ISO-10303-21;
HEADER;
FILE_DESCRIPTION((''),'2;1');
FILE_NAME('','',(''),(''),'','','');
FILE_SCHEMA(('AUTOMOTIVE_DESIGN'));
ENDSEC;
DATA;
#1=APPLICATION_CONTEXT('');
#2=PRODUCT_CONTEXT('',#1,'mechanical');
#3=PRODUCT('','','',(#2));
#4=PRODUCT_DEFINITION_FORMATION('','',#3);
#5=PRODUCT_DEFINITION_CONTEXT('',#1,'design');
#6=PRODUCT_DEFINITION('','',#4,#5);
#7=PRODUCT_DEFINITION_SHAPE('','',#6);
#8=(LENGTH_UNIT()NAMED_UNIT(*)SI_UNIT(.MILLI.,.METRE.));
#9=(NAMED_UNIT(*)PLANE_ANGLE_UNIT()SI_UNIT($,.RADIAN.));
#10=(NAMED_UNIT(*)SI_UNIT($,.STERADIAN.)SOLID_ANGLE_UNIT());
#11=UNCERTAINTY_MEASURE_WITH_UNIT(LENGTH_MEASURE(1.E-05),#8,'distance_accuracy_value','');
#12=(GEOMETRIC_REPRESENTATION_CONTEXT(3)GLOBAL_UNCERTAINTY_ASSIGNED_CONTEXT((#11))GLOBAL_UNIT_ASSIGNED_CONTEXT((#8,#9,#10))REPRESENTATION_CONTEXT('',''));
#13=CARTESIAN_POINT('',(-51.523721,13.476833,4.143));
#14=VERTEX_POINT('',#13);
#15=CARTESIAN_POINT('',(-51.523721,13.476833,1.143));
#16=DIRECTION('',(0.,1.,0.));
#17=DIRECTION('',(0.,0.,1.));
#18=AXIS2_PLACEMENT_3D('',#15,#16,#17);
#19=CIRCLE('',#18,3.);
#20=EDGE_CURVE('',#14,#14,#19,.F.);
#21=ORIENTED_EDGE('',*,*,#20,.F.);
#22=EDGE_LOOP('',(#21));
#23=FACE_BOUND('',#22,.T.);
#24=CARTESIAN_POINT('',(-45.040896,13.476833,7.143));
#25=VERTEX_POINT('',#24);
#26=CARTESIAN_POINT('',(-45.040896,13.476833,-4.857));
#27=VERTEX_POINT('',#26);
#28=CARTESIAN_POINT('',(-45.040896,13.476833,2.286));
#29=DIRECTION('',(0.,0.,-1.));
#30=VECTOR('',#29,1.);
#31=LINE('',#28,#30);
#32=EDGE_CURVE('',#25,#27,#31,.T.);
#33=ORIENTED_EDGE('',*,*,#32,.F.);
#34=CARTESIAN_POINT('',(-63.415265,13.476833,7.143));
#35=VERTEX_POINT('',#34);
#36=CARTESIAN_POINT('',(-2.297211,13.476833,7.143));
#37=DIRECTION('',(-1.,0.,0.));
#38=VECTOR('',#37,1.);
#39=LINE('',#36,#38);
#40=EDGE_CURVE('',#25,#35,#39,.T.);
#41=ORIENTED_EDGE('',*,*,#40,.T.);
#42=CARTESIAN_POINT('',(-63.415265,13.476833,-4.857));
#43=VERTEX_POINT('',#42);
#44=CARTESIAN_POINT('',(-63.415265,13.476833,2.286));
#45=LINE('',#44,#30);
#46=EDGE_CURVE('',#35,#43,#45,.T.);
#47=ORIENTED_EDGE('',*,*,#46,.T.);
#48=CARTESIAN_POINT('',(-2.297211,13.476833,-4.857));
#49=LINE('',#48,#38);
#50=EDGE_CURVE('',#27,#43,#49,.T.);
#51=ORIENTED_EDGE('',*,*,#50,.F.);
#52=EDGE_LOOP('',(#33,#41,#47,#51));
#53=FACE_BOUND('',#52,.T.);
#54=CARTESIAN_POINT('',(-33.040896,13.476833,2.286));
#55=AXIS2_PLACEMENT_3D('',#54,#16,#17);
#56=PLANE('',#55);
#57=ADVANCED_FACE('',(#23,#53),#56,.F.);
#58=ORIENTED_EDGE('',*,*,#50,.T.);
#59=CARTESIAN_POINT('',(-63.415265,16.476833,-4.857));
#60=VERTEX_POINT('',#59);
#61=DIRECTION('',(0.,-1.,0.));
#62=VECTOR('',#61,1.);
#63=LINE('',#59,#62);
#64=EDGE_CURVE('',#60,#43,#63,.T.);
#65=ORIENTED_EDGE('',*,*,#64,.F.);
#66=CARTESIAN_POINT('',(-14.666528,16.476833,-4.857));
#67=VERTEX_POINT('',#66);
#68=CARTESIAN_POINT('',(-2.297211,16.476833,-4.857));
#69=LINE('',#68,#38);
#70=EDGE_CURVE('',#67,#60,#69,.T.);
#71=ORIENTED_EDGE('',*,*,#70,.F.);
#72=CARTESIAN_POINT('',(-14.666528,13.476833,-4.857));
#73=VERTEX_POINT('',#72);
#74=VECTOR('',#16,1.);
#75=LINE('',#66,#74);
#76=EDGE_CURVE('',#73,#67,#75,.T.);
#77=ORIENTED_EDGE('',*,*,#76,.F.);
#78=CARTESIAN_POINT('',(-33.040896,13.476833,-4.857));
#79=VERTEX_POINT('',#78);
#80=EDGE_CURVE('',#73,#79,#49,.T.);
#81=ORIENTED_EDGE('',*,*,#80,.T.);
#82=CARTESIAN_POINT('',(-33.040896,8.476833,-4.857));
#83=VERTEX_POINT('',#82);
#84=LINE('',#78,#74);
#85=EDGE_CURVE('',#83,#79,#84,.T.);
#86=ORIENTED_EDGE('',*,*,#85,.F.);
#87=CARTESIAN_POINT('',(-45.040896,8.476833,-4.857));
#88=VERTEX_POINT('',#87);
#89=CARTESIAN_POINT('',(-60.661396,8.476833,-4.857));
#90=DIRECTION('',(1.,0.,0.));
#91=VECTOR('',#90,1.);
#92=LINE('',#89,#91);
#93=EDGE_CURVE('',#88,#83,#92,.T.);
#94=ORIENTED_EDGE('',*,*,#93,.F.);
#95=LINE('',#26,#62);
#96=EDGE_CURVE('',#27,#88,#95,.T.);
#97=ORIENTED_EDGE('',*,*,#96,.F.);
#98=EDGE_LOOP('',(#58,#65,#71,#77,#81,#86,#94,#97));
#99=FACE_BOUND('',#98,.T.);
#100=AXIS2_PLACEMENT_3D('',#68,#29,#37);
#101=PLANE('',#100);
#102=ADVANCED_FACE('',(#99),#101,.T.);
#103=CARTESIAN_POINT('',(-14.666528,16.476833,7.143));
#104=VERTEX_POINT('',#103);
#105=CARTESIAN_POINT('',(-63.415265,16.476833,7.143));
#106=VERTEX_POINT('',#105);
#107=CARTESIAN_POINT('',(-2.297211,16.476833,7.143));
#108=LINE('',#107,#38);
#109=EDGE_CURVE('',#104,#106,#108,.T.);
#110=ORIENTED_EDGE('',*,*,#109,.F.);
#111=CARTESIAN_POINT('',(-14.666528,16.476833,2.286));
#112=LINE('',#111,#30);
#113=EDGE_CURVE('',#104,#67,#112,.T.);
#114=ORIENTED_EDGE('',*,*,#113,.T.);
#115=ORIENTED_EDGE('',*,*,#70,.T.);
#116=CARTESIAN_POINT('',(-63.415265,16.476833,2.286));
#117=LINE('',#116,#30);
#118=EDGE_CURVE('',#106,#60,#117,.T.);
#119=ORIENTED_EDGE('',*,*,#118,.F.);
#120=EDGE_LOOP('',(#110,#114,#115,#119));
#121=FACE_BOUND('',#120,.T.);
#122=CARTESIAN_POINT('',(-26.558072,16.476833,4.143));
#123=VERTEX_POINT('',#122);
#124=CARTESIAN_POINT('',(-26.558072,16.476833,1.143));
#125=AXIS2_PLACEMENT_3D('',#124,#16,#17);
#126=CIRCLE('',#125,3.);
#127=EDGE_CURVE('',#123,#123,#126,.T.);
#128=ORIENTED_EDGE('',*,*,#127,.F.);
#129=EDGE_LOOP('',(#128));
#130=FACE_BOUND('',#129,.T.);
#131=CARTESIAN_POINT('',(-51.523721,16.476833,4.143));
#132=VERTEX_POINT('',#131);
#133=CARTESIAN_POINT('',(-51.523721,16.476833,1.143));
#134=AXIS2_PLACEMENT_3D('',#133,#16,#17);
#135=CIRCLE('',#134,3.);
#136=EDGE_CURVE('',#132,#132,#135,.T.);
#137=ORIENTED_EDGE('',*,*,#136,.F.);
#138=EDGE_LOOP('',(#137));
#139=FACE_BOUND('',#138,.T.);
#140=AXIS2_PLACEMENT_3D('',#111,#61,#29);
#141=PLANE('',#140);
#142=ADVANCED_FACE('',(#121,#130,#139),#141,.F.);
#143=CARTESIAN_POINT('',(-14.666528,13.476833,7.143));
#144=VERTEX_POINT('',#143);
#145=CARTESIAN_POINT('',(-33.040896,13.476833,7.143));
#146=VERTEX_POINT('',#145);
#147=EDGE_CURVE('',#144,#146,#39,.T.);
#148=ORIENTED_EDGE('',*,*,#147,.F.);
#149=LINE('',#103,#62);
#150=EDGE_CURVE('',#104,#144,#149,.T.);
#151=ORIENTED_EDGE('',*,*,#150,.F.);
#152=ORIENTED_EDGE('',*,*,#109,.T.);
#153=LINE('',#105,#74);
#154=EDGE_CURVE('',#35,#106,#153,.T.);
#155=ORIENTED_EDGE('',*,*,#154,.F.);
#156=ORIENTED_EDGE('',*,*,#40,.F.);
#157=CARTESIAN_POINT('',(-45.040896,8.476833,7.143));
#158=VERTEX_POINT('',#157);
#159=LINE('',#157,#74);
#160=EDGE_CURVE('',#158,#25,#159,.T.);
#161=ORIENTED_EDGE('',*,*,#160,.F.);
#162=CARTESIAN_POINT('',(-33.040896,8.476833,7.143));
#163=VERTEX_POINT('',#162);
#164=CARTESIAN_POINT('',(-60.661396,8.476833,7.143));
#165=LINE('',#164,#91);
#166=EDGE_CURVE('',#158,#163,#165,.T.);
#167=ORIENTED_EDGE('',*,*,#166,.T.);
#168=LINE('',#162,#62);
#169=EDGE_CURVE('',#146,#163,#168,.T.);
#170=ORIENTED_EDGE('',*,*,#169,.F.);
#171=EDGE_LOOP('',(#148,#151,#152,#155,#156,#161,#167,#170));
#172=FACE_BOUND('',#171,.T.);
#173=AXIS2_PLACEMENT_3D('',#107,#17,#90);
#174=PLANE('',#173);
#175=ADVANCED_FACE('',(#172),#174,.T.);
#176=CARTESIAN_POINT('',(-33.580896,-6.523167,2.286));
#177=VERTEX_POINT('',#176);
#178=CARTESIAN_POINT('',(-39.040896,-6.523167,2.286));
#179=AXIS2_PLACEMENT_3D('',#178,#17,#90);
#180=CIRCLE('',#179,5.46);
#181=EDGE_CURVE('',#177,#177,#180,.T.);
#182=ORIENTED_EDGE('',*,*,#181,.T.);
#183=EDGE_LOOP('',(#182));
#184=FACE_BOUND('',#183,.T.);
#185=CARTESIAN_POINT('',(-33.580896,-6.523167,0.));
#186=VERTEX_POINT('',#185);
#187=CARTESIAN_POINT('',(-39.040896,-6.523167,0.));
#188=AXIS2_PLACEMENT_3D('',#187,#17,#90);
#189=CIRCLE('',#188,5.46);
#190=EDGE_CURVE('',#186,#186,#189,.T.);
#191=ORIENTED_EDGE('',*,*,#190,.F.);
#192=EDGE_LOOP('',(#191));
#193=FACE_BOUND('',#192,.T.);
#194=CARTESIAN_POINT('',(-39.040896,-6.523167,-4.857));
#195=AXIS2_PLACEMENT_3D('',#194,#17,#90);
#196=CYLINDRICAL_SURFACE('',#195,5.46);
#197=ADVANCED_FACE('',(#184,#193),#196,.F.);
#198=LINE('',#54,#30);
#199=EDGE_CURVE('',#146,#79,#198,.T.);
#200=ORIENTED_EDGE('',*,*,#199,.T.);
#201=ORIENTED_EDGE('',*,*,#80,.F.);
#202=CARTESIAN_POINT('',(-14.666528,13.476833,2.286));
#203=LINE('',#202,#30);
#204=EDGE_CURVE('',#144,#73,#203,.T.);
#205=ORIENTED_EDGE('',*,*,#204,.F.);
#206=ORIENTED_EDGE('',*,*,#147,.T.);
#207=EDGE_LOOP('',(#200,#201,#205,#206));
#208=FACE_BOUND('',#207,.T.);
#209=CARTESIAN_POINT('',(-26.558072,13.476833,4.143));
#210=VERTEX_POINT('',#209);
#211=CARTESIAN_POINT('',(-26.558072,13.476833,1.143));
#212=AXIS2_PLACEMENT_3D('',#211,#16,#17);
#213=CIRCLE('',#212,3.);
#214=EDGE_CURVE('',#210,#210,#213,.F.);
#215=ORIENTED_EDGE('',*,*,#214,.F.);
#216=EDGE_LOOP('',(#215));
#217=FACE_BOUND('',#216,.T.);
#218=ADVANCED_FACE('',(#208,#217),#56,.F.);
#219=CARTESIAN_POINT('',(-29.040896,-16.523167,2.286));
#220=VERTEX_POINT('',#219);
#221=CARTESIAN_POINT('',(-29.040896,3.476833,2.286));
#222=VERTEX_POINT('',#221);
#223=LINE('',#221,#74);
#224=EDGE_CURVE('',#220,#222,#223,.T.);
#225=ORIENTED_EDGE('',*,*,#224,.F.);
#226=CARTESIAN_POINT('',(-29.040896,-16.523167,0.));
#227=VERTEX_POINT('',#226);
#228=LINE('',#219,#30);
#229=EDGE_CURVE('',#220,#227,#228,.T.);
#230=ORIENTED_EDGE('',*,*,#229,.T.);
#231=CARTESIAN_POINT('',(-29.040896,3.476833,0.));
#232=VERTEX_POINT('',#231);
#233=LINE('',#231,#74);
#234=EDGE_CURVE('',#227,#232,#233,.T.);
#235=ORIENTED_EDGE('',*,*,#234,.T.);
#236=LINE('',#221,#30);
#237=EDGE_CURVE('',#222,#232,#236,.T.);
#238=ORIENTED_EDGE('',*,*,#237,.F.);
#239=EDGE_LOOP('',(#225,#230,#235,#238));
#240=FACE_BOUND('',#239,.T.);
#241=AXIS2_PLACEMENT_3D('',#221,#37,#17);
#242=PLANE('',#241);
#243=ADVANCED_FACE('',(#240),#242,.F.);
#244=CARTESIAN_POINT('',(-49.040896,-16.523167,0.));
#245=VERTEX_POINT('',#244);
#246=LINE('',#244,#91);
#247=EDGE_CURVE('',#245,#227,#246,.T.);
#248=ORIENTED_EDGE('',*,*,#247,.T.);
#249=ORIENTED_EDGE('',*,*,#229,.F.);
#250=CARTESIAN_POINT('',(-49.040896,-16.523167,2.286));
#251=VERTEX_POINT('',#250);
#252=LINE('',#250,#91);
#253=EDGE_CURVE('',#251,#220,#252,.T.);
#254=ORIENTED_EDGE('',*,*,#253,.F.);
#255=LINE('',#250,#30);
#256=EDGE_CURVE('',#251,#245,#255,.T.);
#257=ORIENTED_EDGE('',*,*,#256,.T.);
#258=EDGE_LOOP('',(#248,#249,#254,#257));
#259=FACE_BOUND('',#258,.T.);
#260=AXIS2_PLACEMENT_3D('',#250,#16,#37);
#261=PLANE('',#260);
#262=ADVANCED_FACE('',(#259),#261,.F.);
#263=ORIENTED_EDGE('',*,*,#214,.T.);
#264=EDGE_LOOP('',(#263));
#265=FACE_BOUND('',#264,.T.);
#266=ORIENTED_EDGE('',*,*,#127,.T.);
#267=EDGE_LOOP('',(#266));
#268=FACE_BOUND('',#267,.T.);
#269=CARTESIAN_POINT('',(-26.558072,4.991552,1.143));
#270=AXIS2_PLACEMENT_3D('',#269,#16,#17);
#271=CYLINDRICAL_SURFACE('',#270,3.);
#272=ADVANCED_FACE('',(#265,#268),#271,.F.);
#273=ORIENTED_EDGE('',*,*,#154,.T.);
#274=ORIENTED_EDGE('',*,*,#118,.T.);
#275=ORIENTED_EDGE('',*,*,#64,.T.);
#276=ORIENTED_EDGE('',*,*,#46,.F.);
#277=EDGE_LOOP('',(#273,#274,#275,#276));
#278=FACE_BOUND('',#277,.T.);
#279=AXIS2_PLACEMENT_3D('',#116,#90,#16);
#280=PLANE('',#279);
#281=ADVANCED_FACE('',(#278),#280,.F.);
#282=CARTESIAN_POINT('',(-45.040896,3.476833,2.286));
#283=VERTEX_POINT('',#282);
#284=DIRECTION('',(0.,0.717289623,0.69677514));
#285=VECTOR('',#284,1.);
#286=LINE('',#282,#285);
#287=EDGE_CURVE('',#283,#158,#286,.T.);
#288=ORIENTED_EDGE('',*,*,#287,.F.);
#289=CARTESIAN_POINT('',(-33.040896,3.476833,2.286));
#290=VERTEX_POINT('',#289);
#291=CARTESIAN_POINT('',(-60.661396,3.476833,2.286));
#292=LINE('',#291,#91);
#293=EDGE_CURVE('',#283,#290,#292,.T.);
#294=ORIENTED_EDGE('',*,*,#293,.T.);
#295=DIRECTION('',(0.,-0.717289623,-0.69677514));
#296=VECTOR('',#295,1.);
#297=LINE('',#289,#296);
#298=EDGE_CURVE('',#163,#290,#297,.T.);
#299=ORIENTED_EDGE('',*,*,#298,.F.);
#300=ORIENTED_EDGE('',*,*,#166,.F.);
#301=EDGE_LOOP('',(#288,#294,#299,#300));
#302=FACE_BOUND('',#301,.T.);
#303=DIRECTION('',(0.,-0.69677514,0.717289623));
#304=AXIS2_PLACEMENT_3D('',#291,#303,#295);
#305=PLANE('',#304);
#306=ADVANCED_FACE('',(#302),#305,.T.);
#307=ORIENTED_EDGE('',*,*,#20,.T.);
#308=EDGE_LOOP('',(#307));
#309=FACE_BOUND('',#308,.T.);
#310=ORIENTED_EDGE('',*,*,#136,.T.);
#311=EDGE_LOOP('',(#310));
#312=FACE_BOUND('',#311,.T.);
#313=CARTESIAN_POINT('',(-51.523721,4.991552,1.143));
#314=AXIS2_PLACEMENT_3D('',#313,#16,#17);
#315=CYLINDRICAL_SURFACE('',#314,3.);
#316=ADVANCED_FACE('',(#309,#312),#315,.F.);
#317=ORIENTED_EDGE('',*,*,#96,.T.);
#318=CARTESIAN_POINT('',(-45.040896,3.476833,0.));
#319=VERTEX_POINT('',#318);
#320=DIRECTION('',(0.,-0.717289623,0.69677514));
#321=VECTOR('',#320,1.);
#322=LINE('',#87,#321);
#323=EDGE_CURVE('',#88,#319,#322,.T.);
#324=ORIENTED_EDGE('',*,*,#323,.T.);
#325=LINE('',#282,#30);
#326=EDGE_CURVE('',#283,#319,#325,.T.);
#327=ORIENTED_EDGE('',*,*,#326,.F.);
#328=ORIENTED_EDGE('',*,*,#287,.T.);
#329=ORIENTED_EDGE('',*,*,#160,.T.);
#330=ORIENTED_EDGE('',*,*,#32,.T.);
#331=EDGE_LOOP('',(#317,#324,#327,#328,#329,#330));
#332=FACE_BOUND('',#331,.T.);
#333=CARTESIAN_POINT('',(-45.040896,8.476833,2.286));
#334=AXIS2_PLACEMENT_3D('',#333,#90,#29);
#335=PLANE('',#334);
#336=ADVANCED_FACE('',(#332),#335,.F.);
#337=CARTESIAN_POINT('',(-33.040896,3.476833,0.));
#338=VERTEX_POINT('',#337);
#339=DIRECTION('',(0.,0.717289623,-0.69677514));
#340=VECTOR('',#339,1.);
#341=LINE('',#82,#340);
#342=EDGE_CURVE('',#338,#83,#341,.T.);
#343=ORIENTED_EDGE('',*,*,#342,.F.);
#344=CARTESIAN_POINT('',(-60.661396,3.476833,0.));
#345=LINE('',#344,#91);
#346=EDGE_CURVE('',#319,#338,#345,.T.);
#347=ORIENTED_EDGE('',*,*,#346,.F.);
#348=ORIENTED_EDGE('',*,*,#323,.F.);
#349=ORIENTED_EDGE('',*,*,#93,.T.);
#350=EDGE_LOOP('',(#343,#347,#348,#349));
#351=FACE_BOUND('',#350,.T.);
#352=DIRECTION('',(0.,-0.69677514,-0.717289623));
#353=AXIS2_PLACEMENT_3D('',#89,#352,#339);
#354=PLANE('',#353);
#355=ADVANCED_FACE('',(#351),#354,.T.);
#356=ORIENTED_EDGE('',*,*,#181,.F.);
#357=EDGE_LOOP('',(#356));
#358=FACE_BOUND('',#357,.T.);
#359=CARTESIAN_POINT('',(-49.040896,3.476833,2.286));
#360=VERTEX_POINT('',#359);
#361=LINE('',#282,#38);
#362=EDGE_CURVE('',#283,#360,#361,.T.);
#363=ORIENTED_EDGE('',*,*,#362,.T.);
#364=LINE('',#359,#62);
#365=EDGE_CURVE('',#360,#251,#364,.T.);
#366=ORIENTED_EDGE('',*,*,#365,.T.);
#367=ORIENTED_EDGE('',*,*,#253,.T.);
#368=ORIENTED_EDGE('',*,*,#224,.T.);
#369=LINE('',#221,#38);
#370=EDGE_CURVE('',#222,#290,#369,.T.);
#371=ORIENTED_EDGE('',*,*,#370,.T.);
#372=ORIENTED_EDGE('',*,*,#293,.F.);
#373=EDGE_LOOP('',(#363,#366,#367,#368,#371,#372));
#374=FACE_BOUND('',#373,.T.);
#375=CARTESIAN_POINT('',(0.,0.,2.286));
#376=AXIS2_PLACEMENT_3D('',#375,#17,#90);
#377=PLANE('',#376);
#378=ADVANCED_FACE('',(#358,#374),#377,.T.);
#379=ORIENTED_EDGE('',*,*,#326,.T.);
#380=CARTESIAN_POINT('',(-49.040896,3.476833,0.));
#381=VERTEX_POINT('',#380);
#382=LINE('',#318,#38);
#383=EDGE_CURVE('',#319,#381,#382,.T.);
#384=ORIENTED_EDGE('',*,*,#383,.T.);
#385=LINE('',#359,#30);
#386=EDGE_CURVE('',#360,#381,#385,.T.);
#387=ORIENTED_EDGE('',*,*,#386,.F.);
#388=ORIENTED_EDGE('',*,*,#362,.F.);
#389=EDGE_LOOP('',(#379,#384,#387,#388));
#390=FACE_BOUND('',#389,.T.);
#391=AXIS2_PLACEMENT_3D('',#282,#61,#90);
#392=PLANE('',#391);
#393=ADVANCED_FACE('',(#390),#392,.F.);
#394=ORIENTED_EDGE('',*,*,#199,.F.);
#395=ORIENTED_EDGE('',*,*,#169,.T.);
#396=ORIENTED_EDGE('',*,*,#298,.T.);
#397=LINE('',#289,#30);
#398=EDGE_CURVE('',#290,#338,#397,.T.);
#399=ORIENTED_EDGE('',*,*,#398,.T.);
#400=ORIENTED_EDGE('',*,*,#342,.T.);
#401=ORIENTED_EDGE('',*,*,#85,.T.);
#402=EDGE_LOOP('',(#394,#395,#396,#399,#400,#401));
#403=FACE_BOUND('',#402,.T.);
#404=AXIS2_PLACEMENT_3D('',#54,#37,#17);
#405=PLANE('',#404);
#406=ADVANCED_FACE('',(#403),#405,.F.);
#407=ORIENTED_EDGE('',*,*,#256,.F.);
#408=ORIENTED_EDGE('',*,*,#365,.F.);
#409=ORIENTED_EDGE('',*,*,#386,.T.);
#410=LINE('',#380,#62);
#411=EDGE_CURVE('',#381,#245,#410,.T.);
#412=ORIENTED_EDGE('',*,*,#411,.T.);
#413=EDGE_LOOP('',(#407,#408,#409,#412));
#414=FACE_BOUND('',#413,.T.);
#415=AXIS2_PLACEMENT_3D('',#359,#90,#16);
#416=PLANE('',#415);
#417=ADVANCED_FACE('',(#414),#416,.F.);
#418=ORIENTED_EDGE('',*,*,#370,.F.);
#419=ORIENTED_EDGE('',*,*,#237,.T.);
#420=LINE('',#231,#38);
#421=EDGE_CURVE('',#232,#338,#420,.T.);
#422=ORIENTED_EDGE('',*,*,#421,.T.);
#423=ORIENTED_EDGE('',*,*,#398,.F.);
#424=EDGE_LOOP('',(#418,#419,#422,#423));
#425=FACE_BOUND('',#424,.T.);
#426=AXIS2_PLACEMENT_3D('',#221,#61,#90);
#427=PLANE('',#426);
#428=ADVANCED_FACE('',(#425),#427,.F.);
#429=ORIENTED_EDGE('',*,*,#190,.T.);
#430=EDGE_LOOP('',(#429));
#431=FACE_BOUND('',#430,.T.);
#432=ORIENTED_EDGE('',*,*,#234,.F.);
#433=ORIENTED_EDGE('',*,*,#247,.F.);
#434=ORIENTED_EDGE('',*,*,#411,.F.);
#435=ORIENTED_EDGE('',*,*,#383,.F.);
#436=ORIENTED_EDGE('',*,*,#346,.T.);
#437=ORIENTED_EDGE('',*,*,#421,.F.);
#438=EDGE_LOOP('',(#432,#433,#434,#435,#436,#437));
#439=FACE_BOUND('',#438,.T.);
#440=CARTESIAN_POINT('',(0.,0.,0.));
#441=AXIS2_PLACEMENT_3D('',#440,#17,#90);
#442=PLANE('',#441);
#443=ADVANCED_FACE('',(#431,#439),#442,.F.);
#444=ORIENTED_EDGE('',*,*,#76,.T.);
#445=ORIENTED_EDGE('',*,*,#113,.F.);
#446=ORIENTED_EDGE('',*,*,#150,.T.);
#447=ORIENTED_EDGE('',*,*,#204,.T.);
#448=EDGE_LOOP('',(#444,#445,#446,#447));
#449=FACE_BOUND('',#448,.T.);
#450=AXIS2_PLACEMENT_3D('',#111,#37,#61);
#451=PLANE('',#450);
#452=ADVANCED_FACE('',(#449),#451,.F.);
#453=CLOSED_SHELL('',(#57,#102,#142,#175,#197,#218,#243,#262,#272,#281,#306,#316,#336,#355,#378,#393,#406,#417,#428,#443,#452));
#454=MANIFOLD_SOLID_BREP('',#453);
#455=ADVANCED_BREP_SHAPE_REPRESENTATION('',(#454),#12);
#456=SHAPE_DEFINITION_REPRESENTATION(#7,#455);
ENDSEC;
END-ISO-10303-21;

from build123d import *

# Parameters (mm, degrees)
SALIENTE_EXTRUIR1_DEPTH = 2.286
CROQUIS3_W              = 12
CROQUIS3_H              = 3
SALIENTE_EXTRUIR2_DEPTH = 48.748737
SALIENTE_EXTRUIR3_DEPTH = 12
CROQUIS5_R              = 5.46
CORTAR_EXTRUIR1_DEPTH   = 8.143
CROQUIS6_R              = 3
CORTAR_EXTRUIR2_DEPTH   = 3


with BuildPart() as part:
    # Croquis1 → Saliente-Extruir1 (new body)
    with BuildSketch(Plane.XY):
        Polygon((-14.666527812, 16.476832902), (-63.415265152, 16.476832902), (-63.415265152, 13.476832902), (-45.040896482, 13.476832902), (-45.040896482, 8.476832902), (-45.040896482, 3.476832902), (-49.040896482, 3.476832902), (-49.040896482, -16.523167098), (-29.040896482, -16.523167098), (-29.040896482, 3.476832902), (-33.040896482, 3.476832902), (-33.040896482, 8.476832902), (-33.040896482, 13.476832902), (-14.666527812, 13.476832902), align=None)
    extrude(amount=SALIENTE_EXTRUIR1_DEPTH)

    # Croquis3 → Saliente-Extruir2 (add)
    with BuildSketch(Plane.ZY.offset(63.415265152)):
        with Locations((1.143, 14.976832902)):
            Rectangle(CROQUIS3_W, CROQUIS3_H)
    extrude(amount=-SALIENTE_EXTRUIR2_DEPTH)

    # Croquis4 → Saliente-Extruir3 (add)
    with BuildSketch(Plane(origin=(-33.040896482, 0, 0), x_dir=(0, 0, -1), z_dir=(1, 0, 0))):
        Polygon((4.857, 8.476832902), (0, 3.476832902), (-2.286, 3.476832902), (-7.143, 8.476832902), (-7.143, 13.476832902), (4.857, 13.476832902), align=None)
    extrude(amount=-SALIENTE_EXTRUIR3_DEPTH)

    # Croquis5 → Cortar-Extruir1 (cut, through all)
    with BuildSketch(Plane.XY.offset(2.286)):
        with Locations((-39.040896482, -6.523167098)):
            Circle(CROQUIS5_R)
    extrude(amount=-CORTAR_EXTRUIR1_DEPTH, mode=Mode.SUBTRACT)

    # Croquis6 → Cortar-Extruir2 (cut)
    with BuildSketch(Plane(origin=(0, 16.476832902, 0), x_dir=(1, 0, 0), z_dir=(0, 1, 0))):
        with Locations((-26.558072422, -1.143)):
            Circle(CROQUIS6_R)
        with Locations((-51.523720542, -1.143)):
            Circle(CROQUIS6_R)
    extrude(amount=-CORTAR_EXTRUIR2_DEPTH, mode=Mode.SUBTRACT)


solid = part.part
